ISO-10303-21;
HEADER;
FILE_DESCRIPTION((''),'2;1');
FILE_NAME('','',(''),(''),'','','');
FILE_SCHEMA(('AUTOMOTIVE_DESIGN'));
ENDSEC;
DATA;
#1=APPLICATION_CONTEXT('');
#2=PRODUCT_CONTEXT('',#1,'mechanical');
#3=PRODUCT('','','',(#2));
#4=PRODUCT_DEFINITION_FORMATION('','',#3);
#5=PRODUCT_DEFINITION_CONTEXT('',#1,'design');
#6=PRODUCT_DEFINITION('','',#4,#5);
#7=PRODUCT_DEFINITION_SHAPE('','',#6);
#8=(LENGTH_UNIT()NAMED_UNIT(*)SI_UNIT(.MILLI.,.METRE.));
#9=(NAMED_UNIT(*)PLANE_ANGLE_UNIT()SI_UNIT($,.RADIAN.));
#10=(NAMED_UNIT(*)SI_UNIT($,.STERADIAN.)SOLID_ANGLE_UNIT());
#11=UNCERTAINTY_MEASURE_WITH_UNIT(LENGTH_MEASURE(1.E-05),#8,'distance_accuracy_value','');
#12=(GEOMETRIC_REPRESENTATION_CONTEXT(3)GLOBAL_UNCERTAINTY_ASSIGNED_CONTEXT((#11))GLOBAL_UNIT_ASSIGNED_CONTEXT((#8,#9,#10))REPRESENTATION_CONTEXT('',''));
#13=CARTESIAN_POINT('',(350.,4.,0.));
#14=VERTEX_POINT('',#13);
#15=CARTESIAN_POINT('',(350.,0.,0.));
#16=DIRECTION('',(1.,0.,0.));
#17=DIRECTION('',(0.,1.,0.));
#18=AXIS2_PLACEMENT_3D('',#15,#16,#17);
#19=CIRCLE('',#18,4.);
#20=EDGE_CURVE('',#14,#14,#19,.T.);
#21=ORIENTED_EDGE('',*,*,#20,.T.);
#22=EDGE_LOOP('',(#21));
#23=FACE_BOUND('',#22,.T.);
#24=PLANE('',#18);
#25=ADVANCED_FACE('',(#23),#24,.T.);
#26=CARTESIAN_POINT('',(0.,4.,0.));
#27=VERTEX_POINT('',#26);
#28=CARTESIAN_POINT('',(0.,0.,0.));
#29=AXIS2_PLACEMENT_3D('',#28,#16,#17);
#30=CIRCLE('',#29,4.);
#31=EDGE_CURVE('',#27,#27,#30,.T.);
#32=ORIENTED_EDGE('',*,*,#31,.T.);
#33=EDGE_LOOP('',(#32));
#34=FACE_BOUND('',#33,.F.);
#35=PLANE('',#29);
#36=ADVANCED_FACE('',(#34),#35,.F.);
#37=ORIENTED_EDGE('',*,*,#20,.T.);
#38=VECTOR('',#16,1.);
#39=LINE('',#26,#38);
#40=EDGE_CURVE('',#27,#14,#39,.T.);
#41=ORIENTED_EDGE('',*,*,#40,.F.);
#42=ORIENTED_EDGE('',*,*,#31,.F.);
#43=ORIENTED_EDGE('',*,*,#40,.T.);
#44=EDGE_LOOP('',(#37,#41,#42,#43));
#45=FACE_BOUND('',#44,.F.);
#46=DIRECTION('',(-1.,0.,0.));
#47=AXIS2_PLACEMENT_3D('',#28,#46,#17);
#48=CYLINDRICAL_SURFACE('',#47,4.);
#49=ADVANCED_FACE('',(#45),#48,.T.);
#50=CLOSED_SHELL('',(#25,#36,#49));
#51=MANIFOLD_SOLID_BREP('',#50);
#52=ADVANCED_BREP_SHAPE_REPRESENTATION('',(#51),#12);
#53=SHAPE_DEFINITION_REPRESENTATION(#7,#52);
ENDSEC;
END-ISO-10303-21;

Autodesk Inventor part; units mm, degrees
ref_plane "YZ Plane" through (0, 0, 0) normal (1, 0, 0) x (0, 1, 0)
ref_plane "XZ Plane" through (0, 0, 0) normal (0, 1, 0) x (-1, 0, 0)
ref_plane "XY Plane" through (0, 0, 0) normal (0, 0, 1) x (1, 0, 0)
sketch "Sketch1" plane through (0, 0, 0) normal (1, 0, 0) x (0, 1, 0)
  circle A0 centre (0, 0) radius 4
  dimension "d0" = 8
extrude "Extrusion1" add sketch "Sketch1" along normal blind 350
properties part number "350mm_linear_rod"
